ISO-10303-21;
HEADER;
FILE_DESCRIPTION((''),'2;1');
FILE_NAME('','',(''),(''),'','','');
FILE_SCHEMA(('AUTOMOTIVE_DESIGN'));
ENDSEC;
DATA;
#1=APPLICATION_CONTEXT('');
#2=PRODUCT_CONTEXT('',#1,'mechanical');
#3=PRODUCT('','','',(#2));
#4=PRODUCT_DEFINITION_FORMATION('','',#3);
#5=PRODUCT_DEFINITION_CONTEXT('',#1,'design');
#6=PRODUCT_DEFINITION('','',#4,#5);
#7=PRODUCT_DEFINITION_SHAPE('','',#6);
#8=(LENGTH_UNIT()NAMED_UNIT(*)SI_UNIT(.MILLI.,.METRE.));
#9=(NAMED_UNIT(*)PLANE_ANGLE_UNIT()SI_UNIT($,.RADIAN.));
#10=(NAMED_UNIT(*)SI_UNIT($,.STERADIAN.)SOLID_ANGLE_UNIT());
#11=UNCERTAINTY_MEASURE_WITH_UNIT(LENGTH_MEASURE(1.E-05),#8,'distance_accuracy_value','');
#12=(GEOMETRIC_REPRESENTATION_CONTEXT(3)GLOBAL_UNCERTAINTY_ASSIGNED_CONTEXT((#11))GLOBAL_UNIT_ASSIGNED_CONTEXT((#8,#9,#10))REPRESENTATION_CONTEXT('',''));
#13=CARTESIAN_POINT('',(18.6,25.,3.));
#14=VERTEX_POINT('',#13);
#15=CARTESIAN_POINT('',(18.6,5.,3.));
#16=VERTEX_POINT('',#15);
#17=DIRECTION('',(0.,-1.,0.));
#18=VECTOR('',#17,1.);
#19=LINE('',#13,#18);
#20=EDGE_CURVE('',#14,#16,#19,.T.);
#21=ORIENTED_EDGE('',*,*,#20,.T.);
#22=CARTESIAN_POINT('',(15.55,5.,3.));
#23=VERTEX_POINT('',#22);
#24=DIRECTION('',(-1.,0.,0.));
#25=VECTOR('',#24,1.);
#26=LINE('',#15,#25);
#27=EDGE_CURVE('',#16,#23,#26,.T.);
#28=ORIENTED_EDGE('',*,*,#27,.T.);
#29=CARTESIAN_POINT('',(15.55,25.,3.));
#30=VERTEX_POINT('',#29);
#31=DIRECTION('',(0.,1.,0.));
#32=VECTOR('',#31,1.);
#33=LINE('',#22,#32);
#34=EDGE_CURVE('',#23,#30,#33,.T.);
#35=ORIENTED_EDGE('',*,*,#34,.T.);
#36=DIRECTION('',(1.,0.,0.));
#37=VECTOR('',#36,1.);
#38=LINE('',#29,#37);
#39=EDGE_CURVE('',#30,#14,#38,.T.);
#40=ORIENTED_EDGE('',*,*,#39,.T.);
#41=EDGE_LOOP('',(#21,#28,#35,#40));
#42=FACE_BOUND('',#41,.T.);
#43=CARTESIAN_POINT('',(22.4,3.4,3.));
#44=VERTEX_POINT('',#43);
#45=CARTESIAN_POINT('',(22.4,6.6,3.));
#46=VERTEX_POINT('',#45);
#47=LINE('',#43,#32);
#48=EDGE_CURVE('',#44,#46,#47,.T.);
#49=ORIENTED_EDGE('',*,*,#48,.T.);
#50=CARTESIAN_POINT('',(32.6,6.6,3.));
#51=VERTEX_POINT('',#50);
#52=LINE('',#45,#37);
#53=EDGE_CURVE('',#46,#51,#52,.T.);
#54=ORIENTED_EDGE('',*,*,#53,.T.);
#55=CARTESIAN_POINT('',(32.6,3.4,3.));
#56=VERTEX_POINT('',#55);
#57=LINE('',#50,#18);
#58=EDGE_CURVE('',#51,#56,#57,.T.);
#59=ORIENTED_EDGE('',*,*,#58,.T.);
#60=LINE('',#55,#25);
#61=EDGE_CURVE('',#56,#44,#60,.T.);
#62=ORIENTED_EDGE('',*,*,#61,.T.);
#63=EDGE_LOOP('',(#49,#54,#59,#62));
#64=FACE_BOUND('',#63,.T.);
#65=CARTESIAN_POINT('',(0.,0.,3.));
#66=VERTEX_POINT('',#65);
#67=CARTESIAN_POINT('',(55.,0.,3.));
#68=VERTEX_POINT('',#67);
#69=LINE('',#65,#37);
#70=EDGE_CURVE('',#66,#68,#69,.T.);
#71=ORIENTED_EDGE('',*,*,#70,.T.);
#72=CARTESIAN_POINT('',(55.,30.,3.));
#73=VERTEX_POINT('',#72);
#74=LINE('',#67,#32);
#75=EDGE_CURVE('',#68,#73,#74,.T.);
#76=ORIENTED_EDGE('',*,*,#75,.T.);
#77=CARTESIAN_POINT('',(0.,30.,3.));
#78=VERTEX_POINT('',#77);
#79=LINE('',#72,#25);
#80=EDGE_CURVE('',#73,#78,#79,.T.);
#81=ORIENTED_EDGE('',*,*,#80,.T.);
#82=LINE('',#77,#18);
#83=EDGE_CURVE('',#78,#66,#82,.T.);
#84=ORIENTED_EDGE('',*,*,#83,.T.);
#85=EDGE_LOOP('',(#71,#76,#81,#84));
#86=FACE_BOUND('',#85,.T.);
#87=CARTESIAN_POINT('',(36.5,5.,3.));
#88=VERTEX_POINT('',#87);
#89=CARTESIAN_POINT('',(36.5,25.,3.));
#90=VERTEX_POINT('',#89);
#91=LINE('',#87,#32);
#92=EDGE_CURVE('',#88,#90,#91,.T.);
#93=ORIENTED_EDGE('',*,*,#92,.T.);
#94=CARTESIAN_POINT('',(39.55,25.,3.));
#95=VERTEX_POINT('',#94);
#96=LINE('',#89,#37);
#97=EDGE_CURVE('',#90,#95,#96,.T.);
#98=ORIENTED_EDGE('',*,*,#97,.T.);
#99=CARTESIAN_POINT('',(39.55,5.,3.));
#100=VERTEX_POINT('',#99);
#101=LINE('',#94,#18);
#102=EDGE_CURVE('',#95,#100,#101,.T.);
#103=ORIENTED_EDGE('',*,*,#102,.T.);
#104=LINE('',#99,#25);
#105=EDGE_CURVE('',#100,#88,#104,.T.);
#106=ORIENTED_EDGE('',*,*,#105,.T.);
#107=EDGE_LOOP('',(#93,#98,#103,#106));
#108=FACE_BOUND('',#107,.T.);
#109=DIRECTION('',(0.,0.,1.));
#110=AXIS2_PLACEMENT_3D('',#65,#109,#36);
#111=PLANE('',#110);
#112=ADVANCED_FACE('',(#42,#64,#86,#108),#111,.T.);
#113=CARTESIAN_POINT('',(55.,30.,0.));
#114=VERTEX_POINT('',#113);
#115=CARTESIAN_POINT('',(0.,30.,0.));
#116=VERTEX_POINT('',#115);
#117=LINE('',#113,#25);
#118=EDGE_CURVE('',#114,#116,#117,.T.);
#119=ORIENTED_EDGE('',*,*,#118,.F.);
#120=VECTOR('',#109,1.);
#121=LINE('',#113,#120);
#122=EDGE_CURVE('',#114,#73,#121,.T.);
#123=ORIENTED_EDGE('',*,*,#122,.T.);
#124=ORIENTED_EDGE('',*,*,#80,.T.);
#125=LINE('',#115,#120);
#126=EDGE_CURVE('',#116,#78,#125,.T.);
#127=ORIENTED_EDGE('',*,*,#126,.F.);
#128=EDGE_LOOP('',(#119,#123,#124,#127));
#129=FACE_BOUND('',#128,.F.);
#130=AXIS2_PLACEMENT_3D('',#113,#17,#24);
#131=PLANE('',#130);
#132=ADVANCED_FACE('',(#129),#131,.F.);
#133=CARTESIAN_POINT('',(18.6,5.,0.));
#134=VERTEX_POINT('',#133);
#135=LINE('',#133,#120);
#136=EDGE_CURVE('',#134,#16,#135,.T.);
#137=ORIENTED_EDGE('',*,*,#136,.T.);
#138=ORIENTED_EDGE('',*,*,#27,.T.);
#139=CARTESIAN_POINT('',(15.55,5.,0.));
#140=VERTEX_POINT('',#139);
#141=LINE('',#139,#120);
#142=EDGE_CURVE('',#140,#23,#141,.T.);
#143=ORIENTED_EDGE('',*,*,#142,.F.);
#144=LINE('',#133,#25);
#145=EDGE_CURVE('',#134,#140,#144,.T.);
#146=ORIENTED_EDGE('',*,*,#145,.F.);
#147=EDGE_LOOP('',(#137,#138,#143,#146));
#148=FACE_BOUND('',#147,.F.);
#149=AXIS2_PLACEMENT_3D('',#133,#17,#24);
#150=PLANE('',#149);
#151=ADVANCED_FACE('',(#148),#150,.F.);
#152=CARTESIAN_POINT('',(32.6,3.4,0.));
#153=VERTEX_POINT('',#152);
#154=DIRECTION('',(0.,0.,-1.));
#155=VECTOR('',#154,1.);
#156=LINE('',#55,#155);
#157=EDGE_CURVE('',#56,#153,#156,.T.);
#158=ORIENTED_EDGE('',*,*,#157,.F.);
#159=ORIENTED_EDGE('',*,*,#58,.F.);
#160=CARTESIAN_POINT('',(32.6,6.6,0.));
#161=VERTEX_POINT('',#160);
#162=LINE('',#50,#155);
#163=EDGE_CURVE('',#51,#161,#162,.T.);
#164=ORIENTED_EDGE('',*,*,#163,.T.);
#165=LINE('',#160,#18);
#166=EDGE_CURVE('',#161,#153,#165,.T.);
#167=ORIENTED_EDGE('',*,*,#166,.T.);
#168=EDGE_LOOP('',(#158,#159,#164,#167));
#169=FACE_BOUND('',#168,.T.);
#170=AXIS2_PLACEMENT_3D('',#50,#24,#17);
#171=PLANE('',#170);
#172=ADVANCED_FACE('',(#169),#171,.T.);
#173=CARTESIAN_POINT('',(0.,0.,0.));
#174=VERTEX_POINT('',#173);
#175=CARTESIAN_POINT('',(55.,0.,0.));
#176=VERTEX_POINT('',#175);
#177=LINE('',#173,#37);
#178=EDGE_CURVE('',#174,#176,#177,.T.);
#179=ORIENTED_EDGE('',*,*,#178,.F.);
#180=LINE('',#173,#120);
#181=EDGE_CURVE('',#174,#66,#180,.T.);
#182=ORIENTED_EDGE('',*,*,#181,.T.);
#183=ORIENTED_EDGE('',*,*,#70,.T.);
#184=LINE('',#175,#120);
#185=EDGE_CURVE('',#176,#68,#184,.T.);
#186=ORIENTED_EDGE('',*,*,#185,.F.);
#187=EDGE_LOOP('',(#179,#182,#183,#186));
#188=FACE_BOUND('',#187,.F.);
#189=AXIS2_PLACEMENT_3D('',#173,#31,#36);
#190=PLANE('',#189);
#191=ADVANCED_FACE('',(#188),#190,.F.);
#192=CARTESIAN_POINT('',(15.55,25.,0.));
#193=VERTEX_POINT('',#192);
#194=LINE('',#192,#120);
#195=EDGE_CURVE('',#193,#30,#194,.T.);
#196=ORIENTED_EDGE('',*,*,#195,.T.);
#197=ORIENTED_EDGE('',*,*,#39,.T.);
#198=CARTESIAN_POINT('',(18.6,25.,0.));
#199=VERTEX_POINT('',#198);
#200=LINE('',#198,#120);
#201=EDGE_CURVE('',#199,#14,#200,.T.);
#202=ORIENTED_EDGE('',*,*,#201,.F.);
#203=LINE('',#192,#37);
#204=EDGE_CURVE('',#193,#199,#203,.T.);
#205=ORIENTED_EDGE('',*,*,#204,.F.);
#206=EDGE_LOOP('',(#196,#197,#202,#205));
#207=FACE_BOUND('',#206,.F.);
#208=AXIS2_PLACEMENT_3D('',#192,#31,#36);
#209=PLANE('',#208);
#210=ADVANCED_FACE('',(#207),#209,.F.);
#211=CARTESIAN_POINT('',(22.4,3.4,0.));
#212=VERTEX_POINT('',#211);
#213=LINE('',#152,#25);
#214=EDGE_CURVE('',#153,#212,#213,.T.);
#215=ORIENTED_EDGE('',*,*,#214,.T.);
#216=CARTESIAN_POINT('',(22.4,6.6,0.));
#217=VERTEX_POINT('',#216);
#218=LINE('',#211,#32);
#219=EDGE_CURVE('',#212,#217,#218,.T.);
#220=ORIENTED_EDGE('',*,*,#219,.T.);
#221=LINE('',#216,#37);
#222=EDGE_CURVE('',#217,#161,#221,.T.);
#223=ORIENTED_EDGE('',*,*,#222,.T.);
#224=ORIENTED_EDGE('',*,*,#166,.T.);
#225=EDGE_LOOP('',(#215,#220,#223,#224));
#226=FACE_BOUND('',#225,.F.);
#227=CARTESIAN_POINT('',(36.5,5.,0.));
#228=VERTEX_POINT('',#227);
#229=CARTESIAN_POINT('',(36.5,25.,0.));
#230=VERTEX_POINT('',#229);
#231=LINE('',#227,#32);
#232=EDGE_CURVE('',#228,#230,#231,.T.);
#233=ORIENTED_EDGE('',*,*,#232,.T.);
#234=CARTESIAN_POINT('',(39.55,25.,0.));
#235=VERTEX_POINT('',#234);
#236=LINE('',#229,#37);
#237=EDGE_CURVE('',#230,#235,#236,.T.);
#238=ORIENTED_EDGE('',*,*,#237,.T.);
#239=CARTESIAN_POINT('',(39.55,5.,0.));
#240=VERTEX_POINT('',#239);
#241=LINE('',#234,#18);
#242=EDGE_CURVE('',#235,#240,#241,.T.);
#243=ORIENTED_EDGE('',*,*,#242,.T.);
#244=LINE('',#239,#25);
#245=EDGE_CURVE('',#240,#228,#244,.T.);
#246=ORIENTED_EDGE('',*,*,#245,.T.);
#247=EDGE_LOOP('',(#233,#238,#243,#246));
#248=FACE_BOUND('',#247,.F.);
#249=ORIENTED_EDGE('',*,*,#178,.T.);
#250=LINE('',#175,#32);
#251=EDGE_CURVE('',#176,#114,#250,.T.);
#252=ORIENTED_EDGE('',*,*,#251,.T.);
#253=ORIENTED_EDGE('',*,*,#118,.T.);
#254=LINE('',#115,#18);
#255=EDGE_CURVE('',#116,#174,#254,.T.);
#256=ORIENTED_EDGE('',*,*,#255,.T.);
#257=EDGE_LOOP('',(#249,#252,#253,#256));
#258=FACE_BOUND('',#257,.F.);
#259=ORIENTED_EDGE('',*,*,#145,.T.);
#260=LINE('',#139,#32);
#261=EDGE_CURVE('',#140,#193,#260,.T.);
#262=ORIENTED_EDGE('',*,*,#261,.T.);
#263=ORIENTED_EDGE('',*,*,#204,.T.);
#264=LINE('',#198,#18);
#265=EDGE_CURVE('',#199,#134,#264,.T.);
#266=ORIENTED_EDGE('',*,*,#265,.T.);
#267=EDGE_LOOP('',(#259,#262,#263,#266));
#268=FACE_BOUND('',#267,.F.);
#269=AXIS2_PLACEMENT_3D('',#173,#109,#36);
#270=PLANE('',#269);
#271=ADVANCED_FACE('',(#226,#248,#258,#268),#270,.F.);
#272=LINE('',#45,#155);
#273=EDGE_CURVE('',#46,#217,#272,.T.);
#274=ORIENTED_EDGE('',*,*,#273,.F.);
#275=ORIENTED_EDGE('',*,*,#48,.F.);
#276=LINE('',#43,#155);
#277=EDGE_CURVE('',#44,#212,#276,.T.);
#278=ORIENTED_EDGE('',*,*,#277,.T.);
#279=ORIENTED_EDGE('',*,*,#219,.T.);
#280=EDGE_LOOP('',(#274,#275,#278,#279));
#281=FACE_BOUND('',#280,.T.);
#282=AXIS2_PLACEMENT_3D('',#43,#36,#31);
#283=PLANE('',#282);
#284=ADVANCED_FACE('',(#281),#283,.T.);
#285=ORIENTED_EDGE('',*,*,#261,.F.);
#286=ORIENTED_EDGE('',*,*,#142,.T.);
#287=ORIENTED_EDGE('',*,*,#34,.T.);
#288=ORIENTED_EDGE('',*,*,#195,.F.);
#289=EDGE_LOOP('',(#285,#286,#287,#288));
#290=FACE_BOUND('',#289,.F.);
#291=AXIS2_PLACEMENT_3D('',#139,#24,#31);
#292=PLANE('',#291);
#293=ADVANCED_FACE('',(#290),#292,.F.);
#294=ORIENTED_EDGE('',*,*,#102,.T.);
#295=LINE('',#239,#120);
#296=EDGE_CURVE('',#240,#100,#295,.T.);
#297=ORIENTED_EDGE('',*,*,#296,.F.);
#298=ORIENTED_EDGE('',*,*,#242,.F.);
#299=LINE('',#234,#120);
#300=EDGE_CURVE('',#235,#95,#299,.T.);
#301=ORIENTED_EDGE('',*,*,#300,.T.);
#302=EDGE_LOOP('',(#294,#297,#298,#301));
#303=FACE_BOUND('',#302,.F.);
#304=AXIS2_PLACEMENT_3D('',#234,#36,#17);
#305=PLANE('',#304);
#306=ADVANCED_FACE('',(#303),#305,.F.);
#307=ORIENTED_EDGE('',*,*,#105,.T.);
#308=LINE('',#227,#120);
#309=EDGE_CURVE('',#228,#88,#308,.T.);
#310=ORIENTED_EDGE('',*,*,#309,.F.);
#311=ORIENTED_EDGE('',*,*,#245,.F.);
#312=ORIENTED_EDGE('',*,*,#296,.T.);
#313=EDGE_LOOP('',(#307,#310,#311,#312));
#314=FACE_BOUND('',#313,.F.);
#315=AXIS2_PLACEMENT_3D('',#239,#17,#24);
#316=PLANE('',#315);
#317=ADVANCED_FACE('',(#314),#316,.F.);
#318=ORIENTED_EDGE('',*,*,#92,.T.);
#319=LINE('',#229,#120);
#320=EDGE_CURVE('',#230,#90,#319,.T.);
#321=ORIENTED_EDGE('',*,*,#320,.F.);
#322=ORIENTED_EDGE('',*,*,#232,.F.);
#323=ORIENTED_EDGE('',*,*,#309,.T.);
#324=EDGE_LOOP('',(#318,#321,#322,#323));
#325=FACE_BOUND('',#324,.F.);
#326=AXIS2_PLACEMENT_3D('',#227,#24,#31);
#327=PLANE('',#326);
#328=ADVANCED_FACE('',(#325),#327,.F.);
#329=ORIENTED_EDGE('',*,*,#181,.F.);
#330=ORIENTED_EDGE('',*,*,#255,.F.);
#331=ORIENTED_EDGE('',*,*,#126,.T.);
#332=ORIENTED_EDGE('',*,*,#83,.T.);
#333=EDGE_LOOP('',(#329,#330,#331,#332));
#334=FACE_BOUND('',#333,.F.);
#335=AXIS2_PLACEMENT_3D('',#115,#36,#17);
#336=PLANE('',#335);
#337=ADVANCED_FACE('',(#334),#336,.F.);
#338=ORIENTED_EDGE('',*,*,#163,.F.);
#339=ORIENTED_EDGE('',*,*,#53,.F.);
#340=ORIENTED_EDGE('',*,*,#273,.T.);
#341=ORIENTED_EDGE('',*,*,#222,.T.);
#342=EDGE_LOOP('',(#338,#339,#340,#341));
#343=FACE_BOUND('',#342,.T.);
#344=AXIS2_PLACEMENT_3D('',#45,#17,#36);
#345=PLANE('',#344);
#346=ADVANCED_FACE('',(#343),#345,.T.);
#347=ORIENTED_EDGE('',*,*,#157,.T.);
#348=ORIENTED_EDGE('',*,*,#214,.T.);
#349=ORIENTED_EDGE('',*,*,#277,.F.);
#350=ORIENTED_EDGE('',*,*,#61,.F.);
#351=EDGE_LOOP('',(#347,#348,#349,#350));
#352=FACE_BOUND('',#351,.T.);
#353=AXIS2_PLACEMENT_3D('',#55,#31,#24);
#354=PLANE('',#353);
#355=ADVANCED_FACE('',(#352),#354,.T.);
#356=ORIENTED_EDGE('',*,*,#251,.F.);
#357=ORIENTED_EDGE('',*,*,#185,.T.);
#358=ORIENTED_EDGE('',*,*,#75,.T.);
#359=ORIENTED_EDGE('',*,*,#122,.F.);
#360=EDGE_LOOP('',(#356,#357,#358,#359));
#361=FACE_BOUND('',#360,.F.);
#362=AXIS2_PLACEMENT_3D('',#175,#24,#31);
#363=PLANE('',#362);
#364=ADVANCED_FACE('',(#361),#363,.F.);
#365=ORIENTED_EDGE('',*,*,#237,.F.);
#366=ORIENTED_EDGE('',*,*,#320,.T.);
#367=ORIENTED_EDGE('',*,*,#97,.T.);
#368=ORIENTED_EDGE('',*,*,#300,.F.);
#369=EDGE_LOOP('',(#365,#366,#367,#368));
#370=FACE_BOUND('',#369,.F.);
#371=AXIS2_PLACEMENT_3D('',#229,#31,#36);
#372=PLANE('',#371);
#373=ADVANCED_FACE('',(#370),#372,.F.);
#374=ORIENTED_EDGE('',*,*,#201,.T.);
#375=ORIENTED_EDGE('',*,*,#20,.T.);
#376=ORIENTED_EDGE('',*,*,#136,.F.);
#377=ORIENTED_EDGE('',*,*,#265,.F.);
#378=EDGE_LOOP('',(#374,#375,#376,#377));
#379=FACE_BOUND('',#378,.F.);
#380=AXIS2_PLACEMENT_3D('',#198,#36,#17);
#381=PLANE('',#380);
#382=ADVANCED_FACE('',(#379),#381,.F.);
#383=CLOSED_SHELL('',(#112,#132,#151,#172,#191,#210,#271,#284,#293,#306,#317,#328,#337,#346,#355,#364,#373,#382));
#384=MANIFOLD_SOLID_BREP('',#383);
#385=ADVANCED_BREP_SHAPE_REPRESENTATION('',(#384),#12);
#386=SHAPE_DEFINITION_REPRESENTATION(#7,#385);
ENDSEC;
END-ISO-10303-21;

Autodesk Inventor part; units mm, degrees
ref_plane "YZ Plane" through (0, 0, 0) normal (1, 0, 0) x (0, 1, 0)
ref_plane "XZ Plane" through (0, 0, 0) normal (0, 1, 0) x (-1, 0, 0)
ref_plane "XY Plane" through (0, 0, 0) normal (0, 0, 1) x (1, 0, 0)
sketch "Sketch1" plane through (0, 0, 0) normal (0, 0, 1) x (1, 0, 0)
  line L0 (0, 0) -> (55, 0)
  line L1 (55, 0) -> (55, 30)
  line L2 (55, 30) -> (0, 30)
  line L3 (0, 30) -> (0, 0)
  line L4 (36.5, 25) -> (39.55, 25)
  line L5 (39.55, 25) -> (39.55, 5)
  line L6 (39.55, 5) -> (36.5, 5)
  line L7 (36.5, 5) -> (36.5, 25)
  line L8 (15.55, 25) -> (18.6, 25)
  line L9 (18.6, 25) -> (18.6, 5)
  line L10 (18.6, 5) -> (15.55, 5)
  line L11 (15.55, 5) -> (15.55, 25)
  line L12 (44.5, 25) -> (47.55, 25)
  line L13 (47.55, 25) -> (47.55, 5)
  line L14 (47.55, 5) -> (44.5, 5)
  line L15 (44.5, 5) -> (44.5, 25)
  point P0 (15.55, 15)
  point P1 (0, 15)
  point P2 (36.5, 15)
  point P3 (17.075, 5)
  point P4 (27.5, 30)
  dimension "d0" = 55
  dimension "d1" = 30
  dimension "d2" = 3.05
  dimension "d3" = 3.05
  dimension "d4" = 24
  dimension "d6" = 10
  dimension "d7" = 8.9
  dimension "d16" = 3.05
  dimension "d17" = 32
extrude "Extrusion1" add sketch "Sketch1" along normal blind 3 contours L3 L2 L1 L0 | L12 L13 L14 L15
sketch "Sketch2" plane through (0, 0, 3) normal (0, 0, 1) x (1, 0, 0)
  line L0 (22.4, 6.6) -> (32.6, 6.6)
  line L1 (32.6, 6.6) -> (32.6, 3.4)
  line L2 (32.6, 3.4) -> (22.4, 3.4)
  line L3 (22.4, 3.4) -> (22.4, 6.6)
  line L4 (22.4, 6.6) -> (32.6, 3.4) construction
  line L5 (32.6, 6.6) -> (22.4, 3.4) construction
  line L6 (55, 30) -> (0, 30) projected
  line L7 (0, 0) -> (55, 0) projected
  point P0 (27.5, 5)
  point P1 (27.5, 30)
  point P2 (27.5, 30)
  dimension "d11" = 3.2
  dimension "d12" = 10.2
  dimension "d15" = 5
extrude "Extrusion2" cut sketch "Sketch2" against normal blind 3
properties part number "Moving_rail"
